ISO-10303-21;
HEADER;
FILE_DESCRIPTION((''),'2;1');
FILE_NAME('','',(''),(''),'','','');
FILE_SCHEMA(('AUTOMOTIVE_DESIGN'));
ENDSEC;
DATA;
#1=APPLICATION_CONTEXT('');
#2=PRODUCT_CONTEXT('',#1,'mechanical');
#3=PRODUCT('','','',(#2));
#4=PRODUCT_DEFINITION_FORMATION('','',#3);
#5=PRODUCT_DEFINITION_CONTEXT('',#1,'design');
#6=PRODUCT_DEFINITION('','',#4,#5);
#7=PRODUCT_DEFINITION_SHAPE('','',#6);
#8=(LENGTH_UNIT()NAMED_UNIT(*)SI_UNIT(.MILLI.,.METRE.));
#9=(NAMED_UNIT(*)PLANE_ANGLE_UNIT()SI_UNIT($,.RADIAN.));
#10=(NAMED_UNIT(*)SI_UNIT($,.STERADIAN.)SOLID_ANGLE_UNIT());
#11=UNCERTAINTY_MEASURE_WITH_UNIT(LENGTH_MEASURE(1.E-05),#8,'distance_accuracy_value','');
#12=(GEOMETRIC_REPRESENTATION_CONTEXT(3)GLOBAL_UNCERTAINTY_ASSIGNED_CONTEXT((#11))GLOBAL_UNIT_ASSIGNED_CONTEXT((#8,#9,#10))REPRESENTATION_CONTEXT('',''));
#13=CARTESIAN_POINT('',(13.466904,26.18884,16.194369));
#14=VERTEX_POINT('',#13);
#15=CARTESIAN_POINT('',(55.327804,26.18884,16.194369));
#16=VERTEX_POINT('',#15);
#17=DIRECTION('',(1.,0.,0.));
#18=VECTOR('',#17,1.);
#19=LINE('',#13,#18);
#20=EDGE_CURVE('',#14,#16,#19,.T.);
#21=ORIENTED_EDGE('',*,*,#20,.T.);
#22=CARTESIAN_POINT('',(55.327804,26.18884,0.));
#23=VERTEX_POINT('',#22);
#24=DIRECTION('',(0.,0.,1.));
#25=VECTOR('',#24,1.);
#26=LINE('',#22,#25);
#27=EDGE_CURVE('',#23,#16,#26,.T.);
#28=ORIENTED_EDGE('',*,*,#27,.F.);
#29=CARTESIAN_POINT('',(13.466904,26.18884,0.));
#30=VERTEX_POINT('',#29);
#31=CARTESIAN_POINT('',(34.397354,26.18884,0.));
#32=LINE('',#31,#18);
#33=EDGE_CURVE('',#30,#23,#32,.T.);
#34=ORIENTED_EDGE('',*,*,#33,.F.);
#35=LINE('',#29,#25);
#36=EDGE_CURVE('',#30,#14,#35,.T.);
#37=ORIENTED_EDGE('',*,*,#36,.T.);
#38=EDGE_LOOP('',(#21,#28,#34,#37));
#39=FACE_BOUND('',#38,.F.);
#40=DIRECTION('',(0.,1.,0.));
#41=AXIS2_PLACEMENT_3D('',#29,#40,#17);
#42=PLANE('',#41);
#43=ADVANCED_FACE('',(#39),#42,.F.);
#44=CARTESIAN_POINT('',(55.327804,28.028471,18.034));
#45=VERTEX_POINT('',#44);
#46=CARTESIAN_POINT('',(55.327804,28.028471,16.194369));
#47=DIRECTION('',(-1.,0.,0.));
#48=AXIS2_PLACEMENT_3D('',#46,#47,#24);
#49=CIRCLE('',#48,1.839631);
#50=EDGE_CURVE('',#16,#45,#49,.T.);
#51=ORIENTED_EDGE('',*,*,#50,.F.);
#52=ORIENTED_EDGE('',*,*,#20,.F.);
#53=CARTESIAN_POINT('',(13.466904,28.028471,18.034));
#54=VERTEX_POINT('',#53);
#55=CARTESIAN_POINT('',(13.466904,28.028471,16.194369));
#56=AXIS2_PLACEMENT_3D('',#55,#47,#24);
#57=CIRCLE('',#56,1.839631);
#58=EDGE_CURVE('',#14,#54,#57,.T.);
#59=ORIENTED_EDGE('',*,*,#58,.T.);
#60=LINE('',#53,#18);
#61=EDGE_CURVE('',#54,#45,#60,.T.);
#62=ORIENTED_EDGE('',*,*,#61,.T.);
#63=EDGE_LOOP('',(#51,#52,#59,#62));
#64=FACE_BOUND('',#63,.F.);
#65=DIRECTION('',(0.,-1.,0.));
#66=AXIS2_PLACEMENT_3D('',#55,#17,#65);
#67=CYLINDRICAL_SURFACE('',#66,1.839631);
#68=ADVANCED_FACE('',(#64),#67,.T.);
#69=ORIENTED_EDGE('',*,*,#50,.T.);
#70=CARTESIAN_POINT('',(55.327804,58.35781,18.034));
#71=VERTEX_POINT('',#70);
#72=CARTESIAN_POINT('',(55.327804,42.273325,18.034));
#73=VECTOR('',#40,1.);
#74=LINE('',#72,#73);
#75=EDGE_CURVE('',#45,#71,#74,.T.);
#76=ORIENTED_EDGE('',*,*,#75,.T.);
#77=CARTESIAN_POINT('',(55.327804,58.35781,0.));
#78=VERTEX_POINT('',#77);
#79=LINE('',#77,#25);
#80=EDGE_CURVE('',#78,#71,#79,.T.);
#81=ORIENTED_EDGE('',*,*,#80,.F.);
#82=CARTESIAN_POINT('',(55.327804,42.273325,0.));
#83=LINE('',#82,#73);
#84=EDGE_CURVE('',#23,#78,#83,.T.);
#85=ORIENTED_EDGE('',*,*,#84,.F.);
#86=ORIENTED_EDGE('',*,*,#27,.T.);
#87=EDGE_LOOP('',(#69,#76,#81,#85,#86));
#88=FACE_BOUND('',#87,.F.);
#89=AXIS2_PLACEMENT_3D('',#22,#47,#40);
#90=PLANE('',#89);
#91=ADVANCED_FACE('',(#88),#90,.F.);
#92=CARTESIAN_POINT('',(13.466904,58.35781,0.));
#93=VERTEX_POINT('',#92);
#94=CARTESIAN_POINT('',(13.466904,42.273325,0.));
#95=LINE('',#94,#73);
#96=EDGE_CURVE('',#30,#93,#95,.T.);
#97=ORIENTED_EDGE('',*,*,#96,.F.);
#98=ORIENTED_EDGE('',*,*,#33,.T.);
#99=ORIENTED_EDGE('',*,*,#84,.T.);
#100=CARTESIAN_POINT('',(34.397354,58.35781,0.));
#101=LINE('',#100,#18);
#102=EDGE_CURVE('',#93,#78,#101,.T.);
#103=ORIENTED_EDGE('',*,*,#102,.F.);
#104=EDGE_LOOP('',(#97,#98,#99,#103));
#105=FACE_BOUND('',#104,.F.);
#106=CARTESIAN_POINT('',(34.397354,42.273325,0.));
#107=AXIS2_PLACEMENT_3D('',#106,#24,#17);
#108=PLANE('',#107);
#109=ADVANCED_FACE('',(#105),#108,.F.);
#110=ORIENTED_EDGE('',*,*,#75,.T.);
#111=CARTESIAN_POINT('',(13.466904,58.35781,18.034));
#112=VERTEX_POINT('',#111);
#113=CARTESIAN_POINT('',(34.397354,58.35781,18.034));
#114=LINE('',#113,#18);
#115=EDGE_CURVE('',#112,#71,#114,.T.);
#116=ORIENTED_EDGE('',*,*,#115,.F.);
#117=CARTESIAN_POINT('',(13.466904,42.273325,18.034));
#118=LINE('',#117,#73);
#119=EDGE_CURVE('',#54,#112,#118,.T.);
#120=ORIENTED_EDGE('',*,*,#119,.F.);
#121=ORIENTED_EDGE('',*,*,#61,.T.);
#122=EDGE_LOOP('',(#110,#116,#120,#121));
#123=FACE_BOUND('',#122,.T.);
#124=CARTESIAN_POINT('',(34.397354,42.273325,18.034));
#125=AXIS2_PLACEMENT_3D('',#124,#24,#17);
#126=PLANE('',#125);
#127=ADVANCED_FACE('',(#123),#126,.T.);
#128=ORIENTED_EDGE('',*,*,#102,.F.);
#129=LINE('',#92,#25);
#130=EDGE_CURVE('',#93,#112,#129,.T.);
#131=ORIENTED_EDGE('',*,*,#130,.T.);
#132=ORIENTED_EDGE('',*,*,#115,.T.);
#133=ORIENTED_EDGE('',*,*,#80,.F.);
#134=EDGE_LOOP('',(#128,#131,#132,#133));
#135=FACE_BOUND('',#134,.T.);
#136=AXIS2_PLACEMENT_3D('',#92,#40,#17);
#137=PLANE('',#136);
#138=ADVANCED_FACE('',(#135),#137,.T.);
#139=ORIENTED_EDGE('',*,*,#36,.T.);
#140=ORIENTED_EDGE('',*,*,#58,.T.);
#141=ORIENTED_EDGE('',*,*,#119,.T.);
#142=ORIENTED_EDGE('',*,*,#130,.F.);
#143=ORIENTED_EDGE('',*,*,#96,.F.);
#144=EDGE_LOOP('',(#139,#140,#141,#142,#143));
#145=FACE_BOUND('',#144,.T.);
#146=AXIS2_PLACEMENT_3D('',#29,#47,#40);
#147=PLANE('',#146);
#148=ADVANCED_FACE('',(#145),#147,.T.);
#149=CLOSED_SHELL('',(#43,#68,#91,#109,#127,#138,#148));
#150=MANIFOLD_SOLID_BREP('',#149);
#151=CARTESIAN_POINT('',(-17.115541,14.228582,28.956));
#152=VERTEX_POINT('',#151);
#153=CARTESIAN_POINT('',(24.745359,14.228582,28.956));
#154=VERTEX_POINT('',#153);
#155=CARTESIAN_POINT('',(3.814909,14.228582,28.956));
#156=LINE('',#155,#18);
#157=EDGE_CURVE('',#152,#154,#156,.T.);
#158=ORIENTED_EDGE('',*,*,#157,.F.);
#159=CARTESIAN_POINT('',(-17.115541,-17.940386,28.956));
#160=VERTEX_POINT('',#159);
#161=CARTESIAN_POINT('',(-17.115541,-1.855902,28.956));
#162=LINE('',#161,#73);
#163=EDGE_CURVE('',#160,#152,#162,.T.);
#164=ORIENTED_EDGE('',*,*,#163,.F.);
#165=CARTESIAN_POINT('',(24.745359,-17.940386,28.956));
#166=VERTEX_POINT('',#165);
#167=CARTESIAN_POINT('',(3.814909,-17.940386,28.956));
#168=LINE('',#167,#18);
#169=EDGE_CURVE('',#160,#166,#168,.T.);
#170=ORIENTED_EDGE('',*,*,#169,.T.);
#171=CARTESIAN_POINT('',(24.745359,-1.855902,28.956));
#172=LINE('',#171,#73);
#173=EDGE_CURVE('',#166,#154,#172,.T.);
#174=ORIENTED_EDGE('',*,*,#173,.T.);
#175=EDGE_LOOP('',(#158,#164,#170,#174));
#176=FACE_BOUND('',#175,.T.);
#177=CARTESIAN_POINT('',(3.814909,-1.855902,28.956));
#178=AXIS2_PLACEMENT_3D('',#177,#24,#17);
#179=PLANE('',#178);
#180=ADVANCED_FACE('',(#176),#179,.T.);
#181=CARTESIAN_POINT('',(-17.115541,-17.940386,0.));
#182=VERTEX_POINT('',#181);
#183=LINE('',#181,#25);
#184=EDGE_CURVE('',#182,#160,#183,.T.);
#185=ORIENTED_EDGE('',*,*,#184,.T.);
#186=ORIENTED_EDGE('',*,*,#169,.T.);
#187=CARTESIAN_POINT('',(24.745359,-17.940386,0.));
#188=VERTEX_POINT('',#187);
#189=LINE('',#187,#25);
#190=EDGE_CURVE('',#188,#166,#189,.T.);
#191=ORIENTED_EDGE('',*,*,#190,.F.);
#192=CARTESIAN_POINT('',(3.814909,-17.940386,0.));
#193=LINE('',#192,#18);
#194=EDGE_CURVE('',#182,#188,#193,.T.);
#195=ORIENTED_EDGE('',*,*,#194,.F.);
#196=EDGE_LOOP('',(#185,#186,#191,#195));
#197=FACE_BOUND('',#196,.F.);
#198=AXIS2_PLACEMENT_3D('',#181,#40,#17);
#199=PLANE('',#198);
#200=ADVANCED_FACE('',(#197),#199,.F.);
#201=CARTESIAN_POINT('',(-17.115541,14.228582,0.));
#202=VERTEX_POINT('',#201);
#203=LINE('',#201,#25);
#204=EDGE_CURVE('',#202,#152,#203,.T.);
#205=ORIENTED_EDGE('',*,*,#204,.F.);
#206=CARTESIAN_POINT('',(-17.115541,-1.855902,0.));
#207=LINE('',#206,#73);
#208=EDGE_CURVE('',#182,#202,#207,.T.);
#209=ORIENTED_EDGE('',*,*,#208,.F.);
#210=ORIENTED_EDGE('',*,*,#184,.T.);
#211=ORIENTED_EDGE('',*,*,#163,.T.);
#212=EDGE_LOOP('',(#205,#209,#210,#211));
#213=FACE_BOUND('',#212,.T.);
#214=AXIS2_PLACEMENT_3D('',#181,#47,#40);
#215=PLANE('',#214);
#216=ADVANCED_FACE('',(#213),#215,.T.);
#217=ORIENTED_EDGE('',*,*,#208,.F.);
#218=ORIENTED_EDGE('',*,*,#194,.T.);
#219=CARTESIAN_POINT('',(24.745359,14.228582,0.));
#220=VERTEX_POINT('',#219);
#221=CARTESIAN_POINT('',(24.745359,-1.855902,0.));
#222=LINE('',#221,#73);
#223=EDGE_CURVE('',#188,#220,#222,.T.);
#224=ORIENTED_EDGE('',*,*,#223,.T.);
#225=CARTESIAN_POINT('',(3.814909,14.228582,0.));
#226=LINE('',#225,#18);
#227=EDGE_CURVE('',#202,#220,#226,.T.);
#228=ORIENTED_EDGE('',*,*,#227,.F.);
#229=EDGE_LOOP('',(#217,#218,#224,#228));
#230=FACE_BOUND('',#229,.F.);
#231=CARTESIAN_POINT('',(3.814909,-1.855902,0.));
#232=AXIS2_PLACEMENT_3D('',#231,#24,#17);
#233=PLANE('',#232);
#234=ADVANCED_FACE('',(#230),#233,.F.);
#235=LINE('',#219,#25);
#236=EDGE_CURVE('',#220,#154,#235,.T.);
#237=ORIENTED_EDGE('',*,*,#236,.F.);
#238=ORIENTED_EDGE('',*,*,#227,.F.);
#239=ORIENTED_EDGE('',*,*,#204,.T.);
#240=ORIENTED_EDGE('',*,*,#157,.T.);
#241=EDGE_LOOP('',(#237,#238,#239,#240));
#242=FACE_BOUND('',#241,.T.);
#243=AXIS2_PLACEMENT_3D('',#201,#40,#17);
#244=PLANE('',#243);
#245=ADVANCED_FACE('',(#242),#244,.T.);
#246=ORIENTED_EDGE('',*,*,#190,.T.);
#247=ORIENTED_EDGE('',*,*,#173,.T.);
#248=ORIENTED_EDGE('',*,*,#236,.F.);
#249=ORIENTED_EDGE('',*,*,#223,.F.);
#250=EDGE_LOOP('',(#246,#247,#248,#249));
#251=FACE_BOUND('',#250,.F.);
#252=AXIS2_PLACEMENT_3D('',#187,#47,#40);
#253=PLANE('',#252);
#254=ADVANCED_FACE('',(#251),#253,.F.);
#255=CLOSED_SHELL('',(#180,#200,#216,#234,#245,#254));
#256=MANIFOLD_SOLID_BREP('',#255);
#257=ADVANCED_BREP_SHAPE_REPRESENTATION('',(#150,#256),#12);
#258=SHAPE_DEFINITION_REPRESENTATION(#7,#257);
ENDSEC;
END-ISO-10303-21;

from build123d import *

# Parameters (mm, degrees)
F0_W     = 41.860901
F0_H     = 32.16897
F1_DEPTH = 18.034
F2_R     = 1.839631
F0_H_2   = 32.168969
F3_DEPTH = 28.956


with BuildPart() as f1:
    # F0 (on Top) → F1 (new body)
    with BuildSketch(Plane.XY):
        with Locations((34.397354, 42.273325)):
            Rectangle(F0_W, F0_H)
    extrude(amount=F1_DEPTH)

    # F2
    f2_edges = [f1.edges().sort_by_distance(p)[0] for p in [
        (34.397354, 26.18884, 18.034),
    ]]
    fillet(f2_edges, radius=F2_R)


with BuildPart() as f3:
    # F0 (on Top) → F3 (new body)
    with BuildSketch(Plane.XY):
        with Locations((3.814909, -1.855902)):
            Rectangle(F0_W, F0_H_2)
    extrude(amount=F3_DEPTH)


solid = Compound([f1.part, f3.part])
